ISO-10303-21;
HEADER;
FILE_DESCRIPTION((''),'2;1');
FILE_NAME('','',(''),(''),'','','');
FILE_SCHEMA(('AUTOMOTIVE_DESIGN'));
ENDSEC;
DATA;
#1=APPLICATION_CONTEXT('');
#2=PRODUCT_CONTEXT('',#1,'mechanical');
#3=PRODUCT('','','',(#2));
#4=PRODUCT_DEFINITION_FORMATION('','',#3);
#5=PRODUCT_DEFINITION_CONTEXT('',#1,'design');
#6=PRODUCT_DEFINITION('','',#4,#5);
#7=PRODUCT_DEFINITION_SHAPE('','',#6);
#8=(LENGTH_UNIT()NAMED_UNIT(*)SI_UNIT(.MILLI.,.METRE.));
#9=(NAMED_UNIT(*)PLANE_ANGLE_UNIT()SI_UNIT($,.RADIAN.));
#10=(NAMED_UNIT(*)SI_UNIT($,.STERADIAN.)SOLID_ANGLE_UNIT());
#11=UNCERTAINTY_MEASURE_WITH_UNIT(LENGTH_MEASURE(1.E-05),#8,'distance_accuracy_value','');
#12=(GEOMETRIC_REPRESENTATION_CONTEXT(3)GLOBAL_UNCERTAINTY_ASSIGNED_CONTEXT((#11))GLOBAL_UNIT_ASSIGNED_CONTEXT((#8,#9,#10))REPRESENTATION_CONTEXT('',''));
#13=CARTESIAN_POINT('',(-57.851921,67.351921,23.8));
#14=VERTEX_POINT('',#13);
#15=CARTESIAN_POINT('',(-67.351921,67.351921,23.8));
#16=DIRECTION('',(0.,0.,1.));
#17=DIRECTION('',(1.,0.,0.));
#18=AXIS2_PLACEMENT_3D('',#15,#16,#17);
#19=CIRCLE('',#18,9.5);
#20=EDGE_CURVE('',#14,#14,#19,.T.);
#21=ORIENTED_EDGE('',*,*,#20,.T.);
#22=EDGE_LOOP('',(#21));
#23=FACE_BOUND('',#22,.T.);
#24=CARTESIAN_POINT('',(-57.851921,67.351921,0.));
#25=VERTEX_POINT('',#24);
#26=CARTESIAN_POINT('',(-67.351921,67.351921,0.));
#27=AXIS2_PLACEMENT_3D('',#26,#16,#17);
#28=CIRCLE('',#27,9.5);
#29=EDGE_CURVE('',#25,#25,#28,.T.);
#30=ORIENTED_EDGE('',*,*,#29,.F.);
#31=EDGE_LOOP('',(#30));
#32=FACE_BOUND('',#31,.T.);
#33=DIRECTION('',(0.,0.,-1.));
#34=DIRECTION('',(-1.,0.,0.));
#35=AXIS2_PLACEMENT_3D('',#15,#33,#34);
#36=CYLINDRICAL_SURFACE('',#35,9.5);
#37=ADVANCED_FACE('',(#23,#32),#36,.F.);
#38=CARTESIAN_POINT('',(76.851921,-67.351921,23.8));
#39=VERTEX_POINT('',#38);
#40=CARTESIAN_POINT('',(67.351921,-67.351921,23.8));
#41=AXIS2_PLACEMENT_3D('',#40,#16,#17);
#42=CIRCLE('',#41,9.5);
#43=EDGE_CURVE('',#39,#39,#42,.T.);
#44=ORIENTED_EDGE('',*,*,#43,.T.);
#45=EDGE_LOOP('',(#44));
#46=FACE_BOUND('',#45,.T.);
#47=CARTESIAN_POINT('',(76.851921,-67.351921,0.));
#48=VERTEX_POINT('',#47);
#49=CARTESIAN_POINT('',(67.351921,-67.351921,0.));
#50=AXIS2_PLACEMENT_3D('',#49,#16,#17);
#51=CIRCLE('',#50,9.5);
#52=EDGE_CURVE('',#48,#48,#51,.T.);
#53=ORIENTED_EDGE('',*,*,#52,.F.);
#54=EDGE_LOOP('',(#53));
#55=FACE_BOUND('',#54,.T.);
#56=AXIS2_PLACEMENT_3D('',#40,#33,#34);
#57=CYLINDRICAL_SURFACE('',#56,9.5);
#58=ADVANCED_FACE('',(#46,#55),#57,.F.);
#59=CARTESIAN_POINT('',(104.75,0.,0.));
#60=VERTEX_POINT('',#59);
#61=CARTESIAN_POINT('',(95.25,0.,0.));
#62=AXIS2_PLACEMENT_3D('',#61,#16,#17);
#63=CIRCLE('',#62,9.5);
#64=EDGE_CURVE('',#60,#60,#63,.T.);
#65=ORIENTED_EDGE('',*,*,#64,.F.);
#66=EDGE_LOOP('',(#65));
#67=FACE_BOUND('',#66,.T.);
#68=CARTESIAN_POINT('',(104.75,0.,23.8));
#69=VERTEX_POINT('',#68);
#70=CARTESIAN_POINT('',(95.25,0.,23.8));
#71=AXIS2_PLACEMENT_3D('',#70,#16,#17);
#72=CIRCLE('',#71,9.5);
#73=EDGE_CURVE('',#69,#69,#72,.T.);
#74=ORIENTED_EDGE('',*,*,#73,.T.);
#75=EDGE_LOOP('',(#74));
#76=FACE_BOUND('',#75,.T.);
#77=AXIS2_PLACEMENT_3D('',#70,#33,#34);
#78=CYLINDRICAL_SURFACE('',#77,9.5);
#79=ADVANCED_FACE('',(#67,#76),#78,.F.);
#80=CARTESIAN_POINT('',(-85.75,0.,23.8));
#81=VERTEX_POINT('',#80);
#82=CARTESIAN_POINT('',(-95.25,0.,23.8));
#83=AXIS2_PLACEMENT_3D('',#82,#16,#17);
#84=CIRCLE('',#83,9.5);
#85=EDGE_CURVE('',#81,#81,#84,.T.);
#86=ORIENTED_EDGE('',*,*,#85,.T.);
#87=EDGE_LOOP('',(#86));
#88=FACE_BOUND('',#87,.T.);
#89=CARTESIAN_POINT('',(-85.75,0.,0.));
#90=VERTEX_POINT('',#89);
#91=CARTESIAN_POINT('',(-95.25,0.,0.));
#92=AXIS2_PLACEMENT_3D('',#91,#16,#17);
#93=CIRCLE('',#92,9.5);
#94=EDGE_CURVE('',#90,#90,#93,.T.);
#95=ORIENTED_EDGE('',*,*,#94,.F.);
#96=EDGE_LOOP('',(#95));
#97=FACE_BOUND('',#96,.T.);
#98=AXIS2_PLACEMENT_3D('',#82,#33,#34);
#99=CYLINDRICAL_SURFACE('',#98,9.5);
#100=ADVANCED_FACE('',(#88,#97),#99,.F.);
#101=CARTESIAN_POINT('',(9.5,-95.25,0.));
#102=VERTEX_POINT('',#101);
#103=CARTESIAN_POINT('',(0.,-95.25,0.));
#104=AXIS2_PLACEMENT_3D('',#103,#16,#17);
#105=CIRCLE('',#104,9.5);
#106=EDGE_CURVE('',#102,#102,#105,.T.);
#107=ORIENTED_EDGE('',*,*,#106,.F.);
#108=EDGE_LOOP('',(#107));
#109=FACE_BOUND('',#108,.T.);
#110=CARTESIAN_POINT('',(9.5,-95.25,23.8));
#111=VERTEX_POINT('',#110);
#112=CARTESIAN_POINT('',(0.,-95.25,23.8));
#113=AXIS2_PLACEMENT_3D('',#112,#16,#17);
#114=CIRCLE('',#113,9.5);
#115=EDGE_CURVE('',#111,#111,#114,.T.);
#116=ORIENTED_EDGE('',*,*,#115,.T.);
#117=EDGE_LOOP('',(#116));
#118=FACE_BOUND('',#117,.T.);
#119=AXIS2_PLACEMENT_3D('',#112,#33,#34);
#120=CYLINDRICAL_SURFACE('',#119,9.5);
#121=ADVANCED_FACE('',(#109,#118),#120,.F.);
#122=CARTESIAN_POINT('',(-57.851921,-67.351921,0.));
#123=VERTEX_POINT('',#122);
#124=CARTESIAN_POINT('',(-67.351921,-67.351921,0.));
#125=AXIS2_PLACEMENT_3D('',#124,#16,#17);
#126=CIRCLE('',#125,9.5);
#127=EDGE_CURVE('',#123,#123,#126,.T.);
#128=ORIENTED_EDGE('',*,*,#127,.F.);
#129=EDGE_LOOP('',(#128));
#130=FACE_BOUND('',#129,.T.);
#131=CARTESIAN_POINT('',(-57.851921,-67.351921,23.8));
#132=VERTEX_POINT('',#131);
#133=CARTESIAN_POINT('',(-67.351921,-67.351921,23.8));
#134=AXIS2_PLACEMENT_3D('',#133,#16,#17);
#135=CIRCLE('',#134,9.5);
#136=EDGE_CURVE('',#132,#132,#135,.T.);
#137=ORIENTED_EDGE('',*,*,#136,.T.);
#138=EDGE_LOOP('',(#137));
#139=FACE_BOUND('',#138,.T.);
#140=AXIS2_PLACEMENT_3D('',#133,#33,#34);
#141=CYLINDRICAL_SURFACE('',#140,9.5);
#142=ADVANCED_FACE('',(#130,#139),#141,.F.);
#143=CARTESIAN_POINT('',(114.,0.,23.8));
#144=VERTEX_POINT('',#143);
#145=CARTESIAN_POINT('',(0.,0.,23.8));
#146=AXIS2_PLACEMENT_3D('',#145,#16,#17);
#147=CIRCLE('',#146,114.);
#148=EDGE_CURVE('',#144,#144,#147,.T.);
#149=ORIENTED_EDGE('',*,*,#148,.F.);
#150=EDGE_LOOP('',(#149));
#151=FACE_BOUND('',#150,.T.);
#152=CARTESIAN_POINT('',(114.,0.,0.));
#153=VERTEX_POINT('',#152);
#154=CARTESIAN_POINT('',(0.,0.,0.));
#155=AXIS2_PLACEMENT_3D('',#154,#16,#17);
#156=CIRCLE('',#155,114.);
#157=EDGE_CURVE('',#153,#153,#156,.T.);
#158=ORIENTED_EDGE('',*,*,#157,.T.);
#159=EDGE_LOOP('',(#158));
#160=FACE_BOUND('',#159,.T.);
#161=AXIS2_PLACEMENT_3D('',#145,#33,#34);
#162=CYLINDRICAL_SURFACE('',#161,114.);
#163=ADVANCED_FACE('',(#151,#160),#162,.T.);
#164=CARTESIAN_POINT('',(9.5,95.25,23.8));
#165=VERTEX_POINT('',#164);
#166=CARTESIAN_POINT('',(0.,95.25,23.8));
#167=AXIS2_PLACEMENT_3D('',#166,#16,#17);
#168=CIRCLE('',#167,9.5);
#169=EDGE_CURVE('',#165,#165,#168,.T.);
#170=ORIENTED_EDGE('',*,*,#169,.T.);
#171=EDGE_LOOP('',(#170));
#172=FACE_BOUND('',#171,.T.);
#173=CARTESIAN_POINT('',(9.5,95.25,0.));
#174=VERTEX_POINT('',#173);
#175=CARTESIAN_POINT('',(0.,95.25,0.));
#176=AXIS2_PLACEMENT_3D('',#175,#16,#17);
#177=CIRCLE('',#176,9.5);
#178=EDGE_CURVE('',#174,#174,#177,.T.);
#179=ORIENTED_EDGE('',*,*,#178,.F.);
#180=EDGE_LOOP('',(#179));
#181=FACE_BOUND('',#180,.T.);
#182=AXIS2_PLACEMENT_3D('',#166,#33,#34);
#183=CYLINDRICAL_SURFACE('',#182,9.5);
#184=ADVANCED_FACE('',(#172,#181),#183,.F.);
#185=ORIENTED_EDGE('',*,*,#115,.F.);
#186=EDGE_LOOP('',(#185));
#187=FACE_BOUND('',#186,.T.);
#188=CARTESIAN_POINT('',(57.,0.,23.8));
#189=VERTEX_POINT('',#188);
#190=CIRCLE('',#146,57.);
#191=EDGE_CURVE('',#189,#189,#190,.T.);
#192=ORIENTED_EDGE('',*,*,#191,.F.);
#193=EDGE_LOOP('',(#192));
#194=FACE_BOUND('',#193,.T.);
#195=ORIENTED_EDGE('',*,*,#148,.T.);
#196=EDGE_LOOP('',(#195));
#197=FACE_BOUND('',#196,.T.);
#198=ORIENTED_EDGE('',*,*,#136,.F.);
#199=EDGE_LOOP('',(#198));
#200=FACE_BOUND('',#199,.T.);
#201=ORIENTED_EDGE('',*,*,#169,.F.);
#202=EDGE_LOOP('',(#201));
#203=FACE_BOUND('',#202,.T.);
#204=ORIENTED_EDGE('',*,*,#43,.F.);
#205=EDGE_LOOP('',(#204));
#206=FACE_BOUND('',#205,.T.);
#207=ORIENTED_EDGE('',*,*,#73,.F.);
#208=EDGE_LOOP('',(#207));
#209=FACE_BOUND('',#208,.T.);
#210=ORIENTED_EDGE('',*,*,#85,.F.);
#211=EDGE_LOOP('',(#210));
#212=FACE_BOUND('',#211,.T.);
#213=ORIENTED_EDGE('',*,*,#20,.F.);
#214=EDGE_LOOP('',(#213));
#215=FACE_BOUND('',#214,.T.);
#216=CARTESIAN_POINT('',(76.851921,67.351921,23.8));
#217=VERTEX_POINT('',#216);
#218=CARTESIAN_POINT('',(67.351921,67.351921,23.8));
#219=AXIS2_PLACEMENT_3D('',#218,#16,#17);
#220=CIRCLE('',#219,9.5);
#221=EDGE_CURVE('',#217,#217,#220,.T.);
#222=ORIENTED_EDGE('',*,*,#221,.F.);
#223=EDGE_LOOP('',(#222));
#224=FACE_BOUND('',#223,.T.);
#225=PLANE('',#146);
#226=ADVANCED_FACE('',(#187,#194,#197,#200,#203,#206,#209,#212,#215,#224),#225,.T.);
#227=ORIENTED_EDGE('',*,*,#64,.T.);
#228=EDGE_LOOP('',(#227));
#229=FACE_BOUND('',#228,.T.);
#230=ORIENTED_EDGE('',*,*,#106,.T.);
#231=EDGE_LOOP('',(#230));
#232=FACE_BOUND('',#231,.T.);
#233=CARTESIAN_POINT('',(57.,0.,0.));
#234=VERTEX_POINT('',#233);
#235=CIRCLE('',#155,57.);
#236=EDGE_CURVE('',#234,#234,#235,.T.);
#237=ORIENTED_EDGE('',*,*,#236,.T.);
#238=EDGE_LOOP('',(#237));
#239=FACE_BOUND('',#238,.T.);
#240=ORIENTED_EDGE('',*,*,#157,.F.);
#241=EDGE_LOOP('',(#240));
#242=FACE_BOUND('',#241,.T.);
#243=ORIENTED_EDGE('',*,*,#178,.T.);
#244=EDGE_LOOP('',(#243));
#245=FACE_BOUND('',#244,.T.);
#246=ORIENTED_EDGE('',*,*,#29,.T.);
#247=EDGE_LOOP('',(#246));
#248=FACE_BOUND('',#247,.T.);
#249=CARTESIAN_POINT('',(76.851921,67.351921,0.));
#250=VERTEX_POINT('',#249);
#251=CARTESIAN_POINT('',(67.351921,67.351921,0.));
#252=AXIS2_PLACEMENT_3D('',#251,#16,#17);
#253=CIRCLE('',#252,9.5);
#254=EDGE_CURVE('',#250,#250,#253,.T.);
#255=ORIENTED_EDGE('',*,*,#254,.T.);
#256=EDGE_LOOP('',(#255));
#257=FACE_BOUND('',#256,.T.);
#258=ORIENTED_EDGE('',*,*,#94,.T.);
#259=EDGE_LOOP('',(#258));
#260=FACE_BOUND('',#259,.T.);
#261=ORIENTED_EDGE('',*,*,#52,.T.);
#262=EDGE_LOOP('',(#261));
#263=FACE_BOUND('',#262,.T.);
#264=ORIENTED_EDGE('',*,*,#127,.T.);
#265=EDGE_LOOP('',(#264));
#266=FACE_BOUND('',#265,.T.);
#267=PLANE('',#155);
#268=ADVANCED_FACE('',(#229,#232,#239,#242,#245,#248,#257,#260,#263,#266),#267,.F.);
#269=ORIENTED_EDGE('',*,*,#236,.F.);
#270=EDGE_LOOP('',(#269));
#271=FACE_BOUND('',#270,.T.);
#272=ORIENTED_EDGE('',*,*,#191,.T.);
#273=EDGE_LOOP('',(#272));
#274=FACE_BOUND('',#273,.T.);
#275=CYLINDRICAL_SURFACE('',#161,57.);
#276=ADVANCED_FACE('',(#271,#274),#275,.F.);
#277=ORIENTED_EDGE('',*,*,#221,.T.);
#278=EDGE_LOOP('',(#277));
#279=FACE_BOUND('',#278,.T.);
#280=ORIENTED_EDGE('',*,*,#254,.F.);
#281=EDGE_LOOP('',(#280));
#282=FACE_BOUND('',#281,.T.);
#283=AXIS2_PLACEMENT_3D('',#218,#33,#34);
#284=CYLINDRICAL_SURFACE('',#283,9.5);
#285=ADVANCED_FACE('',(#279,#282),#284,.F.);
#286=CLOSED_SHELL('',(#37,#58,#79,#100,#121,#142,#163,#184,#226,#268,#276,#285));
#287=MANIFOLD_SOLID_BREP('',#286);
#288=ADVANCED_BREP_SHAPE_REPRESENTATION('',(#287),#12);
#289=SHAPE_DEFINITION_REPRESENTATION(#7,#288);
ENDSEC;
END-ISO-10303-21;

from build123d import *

# Parameters (mm, degrees)
SKETCH19_R          = 114
SKETCH19_R_2        = 57
SKETCH19_R_3        = 9.5
BOSS_EXTRUDE1_DEPTH = 23.8


with BuildPart() as part:
    # Sketch19 → Boss-Extrude1 (new body)
    with BuildSketch(Plane.XY):
        Circle(SKETCH19_R)
        Circle(SKETCH19_R_2, mode=Mode.SUBTRACT)
        with Locations((0, 95.25)):
            Circle(SKETCH19_R_3, mode=Mode.SUBTRACT)
        with Locations((67.351920908, 67.351920908)):
            Circle(SKETCH19_R_3, mode=Mode.SUBTRACT)
        with Locations((95.25, 0)):
            Circle(SKETCH19_R_3, mode=Mode.SUBTRACT)
        with Locations((67.351920908, -67.351920908)):
            Circle(SKETCH19_R_3, mode=Mode.SUBTRACT)
        with Locations((0, -95.25)):
            Circle(SKETCH19_R_3, mode=Mode.SUBTRACT)
        with Locations((-67.351920908, -67.351920908)):
            Circle(SKETCH19_R_3, mode=Mode.SUBTRACT)
        with Locations((-95.25, 0)):
            Circle(SKETCH19_R_3, mode=Mode.SUBTRACT)
        with Locations((-67.351920908, 67.351920908)):
            Circle(SKETCH19_R_3, mode=Mode.SUBTRACT)
    extrude(amount=BOSS_EXTRUDE1_DEPTH)


solid = part.part
